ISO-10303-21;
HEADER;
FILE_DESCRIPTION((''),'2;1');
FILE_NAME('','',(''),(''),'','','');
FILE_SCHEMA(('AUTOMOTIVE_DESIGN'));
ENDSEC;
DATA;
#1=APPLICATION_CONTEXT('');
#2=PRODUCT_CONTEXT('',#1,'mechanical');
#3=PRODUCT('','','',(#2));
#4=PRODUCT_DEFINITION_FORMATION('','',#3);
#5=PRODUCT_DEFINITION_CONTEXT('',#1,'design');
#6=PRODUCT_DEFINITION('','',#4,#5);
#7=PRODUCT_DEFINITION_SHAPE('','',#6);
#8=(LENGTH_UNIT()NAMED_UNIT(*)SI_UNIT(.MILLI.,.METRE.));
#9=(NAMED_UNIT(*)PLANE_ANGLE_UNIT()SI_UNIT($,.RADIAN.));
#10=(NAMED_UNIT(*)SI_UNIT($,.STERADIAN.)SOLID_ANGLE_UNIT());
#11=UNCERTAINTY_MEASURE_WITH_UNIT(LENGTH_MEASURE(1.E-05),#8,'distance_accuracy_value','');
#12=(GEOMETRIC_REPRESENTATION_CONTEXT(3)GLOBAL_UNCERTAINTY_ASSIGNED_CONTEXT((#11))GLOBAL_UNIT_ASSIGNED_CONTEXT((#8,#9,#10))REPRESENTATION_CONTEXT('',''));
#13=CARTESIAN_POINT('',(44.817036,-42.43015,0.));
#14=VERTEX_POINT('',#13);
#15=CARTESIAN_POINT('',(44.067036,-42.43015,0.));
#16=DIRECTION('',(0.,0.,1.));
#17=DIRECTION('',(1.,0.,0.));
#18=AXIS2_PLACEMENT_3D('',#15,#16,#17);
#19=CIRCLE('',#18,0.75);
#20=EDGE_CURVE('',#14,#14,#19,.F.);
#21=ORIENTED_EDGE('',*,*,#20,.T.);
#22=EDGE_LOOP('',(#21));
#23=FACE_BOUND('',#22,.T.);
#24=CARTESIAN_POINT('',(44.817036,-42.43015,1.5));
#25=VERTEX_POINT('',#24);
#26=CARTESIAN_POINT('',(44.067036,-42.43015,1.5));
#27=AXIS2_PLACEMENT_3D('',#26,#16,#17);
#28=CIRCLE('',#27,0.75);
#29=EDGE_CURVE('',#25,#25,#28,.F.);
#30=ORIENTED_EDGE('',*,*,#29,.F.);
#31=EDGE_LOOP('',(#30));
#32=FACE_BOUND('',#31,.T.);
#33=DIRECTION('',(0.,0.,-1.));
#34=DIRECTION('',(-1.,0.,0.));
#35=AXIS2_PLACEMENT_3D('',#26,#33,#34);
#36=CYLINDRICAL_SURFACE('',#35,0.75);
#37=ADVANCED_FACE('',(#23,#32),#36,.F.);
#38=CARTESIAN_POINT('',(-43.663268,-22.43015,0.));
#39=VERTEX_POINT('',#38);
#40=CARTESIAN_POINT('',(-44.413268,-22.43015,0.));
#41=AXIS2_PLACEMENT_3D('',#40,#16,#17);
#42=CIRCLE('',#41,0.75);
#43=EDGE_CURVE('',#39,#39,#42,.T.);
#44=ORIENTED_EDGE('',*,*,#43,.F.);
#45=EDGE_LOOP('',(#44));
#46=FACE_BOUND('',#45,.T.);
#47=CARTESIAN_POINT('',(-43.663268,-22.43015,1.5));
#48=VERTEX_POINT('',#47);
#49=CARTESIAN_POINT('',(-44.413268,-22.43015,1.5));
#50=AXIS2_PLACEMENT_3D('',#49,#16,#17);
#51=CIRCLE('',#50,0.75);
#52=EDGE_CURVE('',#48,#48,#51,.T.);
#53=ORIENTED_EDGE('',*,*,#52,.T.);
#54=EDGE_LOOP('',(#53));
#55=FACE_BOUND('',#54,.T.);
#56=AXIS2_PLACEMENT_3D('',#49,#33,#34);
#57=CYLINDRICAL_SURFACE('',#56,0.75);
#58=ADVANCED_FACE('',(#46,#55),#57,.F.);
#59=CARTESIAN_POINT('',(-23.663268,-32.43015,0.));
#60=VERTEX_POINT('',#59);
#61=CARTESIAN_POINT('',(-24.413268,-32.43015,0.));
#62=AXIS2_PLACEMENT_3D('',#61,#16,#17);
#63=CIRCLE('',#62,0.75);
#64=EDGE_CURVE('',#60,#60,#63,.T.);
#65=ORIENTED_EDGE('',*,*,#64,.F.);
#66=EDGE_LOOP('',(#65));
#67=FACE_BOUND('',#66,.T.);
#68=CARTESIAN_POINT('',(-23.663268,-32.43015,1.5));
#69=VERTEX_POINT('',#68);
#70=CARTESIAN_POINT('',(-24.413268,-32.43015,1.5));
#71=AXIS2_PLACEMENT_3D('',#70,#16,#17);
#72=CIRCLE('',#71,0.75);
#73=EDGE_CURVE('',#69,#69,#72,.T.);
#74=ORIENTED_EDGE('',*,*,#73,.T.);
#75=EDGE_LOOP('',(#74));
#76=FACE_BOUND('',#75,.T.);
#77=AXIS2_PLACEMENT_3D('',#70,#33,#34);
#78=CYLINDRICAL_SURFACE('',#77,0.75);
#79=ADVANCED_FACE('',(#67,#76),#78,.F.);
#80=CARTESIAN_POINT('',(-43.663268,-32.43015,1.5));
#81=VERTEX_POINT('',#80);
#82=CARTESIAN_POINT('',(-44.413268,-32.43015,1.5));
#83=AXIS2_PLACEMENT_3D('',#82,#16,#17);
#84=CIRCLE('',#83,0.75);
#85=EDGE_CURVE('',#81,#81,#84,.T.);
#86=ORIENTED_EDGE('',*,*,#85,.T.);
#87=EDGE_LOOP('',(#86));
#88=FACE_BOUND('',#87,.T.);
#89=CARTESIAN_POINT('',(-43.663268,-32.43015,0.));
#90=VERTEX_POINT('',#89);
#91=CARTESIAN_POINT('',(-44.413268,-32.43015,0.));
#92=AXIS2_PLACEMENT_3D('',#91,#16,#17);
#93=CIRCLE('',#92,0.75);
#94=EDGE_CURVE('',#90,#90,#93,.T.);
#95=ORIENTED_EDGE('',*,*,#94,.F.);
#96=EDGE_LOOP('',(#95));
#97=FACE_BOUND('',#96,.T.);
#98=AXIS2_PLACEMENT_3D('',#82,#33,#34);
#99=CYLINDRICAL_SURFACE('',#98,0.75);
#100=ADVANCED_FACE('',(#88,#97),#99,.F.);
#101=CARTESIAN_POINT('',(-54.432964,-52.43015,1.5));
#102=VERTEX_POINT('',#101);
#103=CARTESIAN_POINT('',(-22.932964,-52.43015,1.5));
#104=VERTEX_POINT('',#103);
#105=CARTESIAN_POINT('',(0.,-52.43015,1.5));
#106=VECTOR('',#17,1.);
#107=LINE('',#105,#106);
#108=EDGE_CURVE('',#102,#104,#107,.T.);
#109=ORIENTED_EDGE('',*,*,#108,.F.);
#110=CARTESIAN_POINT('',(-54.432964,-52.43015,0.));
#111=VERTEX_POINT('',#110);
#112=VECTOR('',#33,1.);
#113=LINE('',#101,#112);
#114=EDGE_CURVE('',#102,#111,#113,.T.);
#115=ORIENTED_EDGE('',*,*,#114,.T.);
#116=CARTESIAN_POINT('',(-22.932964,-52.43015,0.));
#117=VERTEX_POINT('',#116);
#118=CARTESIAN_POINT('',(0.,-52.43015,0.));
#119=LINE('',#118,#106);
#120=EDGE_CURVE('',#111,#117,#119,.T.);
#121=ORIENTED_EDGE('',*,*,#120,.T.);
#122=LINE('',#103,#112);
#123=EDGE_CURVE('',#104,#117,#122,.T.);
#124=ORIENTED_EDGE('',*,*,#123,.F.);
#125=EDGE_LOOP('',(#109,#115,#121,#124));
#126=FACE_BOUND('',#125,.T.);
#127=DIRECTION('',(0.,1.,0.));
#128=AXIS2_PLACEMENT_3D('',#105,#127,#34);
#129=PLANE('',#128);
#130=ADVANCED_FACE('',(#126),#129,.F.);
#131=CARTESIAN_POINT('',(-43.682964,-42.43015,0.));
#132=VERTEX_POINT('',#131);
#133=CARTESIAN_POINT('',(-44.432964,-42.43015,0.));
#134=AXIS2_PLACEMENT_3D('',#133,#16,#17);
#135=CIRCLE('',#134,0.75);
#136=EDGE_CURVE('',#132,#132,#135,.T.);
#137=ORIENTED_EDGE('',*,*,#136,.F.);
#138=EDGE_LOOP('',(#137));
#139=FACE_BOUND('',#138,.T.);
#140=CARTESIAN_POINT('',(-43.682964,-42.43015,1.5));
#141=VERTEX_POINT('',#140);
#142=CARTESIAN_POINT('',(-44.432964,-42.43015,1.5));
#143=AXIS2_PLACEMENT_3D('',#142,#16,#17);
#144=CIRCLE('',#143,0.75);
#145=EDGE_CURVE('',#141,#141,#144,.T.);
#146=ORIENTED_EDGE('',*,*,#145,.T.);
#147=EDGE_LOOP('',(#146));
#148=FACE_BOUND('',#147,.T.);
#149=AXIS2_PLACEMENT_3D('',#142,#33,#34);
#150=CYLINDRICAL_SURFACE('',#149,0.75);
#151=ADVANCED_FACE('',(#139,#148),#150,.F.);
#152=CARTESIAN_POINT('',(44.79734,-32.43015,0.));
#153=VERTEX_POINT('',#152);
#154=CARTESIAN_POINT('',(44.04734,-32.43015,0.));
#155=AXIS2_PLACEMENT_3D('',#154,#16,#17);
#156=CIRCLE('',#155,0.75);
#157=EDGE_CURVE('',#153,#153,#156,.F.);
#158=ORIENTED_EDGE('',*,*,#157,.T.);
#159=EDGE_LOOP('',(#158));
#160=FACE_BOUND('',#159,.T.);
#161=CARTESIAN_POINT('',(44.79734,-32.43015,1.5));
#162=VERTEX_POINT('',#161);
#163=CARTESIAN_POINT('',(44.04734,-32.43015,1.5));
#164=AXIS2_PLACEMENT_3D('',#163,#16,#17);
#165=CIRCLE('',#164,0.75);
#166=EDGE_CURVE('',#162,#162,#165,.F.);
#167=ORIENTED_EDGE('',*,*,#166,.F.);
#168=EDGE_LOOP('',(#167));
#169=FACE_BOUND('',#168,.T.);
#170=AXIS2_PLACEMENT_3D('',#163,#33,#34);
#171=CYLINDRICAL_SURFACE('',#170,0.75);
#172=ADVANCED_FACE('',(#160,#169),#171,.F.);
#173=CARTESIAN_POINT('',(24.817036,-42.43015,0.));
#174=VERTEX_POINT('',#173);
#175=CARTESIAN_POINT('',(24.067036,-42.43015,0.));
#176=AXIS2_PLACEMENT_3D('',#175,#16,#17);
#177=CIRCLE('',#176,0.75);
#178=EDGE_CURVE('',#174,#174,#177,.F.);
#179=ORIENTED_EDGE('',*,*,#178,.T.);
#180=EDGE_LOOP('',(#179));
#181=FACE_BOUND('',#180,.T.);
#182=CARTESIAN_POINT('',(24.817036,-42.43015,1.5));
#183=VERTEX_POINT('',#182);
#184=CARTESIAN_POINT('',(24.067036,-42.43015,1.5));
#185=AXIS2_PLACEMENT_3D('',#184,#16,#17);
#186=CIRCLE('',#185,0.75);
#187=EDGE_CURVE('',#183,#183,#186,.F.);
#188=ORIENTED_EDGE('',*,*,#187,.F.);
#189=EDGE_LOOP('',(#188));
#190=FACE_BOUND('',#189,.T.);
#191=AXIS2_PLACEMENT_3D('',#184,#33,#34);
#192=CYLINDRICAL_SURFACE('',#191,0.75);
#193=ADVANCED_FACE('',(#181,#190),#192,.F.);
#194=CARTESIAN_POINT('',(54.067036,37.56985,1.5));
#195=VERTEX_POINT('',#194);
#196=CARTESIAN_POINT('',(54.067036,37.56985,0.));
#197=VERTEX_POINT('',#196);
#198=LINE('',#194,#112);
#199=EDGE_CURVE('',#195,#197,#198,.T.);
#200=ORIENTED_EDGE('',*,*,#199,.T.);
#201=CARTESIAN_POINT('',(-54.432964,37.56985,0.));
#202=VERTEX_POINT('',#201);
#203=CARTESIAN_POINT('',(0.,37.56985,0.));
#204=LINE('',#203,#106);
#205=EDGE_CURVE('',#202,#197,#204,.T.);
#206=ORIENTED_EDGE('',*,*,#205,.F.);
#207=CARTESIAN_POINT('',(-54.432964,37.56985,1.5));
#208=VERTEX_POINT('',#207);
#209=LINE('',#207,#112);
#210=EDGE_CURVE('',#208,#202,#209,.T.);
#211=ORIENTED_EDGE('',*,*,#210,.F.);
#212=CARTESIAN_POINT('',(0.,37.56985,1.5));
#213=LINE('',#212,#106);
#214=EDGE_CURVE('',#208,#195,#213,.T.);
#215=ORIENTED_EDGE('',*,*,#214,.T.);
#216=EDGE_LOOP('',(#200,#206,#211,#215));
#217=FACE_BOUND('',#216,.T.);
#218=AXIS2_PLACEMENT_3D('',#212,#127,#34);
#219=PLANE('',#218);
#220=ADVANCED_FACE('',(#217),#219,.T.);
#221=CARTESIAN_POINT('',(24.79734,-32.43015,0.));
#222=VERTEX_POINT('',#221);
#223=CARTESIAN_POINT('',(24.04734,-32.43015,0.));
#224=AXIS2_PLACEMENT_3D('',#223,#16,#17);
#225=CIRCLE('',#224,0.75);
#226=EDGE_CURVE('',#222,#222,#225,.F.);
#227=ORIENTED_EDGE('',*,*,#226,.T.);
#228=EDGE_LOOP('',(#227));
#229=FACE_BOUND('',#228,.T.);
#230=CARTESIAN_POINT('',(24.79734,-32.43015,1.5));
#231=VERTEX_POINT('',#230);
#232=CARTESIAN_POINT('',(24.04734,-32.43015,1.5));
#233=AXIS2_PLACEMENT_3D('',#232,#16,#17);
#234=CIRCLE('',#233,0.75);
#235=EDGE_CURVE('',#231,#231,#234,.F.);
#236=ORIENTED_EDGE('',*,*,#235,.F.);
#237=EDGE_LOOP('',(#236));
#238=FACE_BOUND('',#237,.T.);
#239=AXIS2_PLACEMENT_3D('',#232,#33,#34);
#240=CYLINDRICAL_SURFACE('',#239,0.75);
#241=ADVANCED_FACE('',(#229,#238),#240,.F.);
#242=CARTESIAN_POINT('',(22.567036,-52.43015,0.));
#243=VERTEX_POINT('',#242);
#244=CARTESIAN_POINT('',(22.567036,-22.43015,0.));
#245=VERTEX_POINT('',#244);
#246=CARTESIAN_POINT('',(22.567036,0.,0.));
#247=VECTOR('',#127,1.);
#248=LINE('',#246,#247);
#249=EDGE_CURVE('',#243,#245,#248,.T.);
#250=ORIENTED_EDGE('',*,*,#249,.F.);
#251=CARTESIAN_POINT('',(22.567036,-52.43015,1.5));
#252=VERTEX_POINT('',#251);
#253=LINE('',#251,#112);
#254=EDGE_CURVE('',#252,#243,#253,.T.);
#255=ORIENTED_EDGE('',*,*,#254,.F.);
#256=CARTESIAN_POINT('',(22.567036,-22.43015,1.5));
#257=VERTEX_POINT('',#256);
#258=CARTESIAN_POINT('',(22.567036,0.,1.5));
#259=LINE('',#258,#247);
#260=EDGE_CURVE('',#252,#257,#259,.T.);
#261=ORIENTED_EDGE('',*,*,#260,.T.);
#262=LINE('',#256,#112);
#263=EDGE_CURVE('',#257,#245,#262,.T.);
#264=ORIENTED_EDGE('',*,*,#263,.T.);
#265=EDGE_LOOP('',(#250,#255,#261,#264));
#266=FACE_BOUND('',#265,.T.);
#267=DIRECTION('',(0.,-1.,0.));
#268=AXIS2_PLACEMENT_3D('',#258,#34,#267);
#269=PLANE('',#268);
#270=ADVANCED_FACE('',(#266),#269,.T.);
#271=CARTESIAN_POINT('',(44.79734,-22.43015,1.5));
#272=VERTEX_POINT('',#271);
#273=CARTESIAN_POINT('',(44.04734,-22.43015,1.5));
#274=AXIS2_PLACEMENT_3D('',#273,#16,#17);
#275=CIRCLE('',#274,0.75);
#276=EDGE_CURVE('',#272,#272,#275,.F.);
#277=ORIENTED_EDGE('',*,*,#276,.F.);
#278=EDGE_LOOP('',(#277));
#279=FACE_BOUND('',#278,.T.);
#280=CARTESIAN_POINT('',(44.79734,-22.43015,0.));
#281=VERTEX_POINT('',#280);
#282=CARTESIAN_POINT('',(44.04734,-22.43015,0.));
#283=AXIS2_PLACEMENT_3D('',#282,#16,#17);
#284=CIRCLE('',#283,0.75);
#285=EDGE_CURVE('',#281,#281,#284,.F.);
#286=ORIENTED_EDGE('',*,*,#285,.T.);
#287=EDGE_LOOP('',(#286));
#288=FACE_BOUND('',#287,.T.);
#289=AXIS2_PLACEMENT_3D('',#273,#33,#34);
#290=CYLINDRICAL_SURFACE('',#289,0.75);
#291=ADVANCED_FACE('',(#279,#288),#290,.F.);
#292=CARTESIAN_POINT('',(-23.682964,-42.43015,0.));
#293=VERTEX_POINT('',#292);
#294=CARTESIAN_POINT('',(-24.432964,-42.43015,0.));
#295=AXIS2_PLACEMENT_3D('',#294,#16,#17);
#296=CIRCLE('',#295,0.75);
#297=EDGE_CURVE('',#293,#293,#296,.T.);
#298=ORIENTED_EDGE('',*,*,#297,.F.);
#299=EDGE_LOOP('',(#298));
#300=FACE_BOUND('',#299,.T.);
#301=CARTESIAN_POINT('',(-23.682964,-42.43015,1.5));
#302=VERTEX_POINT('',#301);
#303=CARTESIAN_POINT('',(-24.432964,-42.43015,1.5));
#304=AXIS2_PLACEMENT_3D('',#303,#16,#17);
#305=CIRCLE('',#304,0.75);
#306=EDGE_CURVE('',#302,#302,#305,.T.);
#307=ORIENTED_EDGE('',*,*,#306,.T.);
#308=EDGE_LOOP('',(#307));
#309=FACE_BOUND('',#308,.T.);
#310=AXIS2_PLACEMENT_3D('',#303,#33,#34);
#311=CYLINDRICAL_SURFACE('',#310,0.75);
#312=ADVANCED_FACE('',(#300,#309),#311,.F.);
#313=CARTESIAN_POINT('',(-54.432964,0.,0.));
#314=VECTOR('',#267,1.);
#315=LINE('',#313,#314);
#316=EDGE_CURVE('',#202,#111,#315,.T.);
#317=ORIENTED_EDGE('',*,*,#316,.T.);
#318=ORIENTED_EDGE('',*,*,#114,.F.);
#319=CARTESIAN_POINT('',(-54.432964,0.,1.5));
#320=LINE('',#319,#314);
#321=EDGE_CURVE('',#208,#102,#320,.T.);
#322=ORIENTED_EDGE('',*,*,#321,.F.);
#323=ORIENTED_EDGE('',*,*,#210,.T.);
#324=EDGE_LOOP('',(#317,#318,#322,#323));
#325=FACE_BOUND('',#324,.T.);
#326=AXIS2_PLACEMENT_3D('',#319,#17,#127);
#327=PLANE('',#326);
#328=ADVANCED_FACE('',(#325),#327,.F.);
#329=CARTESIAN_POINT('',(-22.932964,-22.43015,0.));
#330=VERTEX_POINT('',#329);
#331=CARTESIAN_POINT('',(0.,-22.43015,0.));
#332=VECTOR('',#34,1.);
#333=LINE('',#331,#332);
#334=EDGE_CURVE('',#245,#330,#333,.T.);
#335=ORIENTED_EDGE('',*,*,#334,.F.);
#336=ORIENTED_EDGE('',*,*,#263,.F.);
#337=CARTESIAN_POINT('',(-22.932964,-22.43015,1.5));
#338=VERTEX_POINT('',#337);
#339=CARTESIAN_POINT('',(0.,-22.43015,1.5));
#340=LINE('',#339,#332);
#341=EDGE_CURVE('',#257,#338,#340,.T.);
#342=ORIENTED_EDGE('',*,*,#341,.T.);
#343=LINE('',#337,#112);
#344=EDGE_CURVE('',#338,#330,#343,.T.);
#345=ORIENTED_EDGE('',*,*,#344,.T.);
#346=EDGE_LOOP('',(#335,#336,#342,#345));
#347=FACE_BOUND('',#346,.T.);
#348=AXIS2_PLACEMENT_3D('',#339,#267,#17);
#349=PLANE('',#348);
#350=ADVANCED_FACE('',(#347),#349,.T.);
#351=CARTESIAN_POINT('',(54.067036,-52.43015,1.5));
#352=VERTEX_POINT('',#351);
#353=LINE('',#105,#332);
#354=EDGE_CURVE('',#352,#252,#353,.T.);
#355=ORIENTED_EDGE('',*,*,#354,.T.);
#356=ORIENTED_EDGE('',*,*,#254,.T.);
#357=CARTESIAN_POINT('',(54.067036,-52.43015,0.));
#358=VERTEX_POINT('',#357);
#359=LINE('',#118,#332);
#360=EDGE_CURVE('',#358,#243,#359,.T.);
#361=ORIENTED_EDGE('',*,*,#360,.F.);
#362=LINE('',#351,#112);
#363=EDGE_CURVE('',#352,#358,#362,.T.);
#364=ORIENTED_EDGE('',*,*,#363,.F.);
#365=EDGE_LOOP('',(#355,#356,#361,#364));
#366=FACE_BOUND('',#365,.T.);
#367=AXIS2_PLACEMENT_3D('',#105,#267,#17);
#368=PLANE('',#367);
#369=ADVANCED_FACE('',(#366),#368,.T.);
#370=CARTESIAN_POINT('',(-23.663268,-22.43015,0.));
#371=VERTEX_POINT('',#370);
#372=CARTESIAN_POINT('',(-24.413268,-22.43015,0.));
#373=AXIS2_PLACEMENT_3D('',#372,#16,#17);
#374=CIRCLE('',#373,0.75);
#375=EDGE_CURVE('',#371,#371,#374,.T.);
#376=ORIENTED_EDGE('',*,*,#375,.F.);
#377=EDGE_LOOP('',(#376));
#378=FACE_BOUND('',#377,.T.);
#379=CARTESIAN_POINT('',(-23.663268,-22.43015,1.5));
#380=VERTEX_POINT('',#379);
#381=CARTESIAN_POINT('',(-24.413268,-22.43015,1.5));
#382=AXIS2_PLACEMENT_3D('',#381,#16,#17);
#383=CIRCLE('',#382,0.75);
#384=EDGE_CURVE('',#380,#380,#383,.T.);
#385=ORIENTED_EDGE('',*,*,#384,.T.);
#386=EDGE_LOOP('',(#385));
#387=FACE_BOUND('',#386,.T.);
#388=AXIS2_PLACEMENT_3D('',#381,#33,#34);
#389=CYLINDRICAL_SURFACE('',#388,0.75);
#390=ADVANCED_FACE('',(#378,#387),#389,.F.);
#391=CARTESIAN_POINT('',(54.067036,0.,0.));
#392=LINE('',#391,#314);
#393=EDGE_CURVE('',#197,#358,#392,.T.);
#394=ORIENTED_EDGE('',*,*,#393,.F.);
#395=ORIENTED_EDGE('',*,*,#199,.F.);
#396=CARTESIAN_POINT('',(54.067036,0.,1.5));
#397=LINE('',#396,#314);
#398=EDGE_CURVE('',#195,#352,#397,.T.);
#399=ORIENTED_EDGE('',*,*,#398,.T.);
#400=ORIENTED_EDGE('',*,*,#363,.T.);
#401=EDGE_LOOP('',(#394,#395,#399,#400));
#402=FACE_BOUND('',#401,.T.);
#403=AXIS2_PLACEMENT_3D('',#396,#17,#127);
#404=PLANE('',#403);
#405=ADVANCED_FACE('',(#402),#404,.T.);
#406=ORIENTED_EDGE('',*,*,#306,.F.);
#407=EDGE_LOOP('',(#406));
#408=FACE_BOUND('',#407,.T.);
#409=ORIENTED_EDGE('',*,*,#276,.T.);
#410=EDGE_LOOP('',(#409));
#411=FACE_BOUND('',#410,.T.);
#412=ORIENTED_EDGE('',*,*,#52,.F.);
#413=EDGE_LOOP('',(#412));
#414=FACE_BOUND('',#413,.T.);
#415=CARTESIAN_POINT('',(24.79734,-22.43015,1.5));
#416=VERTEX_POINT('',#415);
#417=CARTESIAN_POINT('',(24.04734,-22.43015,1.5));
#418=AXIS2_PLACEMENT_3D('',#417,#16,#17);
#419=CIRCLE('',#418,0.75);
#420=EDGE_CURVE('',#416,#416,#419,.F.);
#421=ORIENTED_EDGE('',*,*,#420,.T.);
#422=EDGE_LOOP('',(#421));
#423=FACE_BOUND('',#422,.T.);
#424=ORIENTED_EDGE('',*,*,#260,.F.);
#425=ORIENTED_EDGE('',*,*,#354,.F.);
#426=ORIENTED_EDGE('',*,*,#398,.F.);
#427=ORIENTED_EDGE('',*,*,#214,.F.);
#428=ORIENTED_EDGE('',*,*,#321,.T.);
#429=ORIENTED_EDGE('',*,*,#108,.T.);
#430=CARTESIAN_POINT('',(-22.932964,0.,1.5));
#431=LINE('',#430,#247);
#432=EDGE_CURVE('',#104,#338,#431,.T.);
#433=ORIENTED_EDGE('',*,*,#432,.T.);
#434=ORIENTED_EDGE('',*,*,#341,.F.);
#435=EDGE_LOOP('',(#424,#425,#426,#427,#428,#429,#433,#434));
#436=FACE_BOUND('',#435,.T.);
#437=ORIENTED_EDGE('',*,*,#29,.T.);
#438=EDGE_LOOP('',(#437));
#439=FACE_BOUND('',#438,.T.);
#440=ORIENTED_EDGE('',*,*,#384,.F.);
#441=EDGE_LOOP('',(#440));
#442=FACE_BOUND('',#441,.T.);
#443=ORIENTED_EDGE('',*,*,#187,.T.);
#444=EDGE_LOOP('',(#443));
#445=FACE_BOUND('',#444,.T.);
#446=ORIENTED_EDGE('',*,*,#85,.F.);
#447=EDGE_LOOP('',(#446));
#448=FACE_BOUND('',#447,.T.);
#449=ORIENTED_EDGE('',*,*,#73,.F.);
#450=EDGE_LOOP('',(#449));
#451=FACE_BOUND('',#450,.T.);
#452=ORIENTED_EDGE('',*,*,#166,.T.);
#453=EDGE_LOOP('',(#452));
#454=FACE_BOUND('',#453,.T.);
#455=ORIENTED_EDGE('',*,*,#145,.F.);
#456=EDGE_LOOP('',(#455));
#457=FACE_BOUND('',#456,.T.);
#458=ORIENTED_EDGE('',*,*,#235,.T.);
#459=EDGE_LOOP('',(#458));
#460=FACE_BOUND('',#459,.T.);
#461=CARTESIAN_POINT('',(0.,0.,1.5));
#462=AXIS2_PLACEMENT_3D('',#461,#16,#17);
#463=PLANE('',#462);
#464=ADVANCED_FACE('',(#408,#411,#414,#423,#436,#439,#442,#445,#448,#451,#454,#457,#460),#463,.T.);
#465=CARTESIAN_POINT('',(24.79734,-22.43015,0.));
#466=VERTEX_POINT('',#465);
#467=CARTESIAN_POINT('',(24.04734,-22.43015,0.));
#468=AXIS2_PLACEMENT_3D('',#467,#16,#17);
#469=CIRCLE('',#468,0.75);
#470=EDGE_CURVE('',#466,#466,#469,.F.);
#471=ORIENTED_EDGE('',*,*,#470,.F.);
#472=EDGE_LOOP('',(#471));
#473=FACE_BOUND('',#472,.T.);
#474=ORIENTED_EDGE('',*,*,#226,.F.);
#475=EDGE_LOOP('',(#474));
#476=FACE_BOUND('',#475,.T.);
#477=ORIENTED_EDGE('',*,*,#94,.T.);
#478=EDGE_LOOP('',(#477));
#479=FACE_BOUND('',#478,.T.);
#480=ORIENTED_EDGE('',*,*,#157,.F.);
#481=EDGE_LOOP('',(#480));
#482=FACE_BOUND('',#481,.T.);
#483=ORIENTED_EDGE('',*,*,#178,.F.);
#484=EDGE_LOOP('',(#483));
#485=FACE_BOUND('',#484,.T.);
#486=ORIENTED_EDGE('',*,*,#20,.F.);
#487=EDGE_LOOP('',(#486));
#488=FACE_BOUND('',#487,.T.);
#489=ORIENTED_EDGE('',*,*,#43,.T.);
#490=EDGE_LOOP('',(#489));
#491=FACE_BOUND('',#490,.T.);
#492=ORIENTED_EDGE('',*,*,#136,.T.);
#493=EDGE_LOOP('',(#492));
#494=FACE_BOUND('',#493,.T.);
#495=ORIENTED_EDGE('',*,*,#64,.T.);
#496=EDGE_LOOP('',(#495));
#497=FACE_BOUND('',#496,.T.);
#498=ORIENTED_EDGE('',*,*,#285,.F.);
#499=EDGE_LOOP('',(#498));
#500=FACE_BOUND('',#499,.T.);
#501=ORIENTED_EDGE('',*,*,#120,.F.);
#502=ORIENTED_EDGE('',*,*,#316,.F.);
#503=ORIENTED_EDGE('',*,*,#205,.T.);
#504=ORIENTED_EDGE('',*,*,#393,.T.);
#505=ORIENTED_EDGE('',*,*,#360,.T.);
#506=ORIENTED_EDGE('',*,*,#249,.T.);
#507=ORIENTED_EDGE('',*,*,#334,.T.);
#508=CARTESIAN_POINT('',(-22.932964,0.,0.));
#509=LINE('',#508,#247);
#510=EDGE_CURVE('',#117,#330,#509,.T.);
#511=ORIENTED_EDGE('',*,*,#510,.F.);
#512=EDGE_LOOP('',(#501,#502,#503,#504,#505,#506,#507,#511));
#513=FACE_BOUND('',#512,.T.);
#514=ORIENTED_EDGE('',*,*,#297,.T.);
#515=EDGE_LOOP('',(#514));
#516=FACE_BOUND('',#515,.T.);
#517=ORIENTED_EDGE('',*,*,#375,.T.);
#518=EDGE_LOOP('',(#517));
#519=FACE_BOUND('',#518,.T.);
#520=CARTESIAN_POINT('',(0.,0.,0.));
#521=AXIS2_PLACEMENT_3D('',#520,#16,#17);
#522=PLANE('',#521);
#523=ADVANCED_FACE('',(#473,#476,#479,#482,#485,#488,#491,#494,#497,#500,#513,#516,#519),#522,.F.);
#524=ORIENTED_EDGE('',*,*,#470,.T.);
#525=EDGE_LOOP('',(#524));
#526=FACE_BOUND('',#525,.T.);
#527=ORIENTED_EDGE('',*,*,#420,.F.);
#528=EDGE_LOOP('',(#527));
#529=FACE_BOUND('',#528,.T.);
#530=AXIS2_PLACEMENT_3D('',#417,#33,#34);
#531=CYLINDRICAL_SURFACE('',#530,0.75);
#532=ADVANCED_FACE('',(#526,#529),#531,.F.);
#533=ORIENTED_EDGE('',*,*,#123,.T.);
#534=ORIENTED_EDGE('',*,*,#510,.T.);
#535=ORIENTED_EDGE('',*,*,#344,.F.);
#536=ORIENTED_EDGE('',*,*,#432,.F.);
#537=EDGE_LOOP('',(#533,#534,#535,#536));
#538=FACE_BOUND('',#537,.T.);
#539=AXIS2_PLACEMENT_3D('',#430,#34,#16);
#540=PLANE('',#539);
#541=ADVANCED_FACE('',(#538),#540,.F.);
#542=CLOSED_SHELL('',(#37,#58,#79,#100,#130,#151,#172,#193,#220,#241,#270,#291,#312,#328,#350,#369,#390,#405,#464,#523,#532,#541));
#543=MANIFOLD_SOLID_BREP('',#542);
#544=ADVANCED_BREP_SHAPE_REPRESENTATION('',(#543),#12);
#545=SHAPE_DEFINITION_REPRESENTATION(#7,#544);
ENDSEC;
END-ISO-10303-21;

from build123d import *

# Parameters (mm, degrees)
SKETCH_1_R      = 0.75
EXTRUDE_2_DEPTH = 1.5


with BuildPart() as part:
    # 草图1 → 凸台-拉伸2 (new body)
    with BuildSketch(Plane.XY):
        Polygon((22.56703567, -52.430150394), (22.56703567, -22.430150394), (-22.93296433, -22.430150394), (-22.93296433, -52.430150394), (-54.43296433, -52.430150394), (-54.43296433, 37.569849606), (54.06703567, 37.569849606), (54.06703567, -52.430150394), align=None)
        with Locations((-44.413268249, -22.430150394)):
            Circle(SKETCH_1_R, mode=Mode.SUBTRACT)
        with Locations((-24.413268249, -22.430150394)):
            Circle(SKETCH_1_R, mode=Mode.SUBTRACT)
        with Locations((-24.43296433, -42.430150394)):
            Circle(SKETCH_1_R, mode=Mode.SUBTRACT)
        with Locations((-24.413268249, -32.430150394)):
            Circle(SKETCH_1_R, mode=Mode.SUBTRACT)
        with Locations((-44.413268249, -32.430150394)):
            Circle(SKETCH_1_R, mode=Mode.SUBTRACT)
        with Locations((-44.43296433, -42.430150394)):
            Circle(SKETCH_1_R, mode=Mode.SUBTRACT)
        with Locations((24.06703567, -42.430150394)):
            Circle(SKETCH_1_R, mode=Mode.SUBTRACT)
        with Locations((44.06703567, -42.430150394)):
            Circle(SKETCH_1_R, mode=Mode.SUBTRACT)
        with Locations((44.047339589, -32.430150394)):
            Circle(SKETCH_1_R, mode=Mode.SUBTRACT)
        with Locations((24.047339589, -32.430150394)):
            Circle(SKETCH_1_R, mode=Mode.SUBTRACT)
        with Locations((24.047339589, -22.430150394)):
            Circle(SKETCH_1_R, mode=Mode.SUBTRACT)
        with Locations((44.047339589, -22.430150394)):
            Circle(SKETCH_1_R, mode=Mode.SUBTRACT)
    extrude(amount=EXTRUDE_2_DEPTH)


solid = part.part
